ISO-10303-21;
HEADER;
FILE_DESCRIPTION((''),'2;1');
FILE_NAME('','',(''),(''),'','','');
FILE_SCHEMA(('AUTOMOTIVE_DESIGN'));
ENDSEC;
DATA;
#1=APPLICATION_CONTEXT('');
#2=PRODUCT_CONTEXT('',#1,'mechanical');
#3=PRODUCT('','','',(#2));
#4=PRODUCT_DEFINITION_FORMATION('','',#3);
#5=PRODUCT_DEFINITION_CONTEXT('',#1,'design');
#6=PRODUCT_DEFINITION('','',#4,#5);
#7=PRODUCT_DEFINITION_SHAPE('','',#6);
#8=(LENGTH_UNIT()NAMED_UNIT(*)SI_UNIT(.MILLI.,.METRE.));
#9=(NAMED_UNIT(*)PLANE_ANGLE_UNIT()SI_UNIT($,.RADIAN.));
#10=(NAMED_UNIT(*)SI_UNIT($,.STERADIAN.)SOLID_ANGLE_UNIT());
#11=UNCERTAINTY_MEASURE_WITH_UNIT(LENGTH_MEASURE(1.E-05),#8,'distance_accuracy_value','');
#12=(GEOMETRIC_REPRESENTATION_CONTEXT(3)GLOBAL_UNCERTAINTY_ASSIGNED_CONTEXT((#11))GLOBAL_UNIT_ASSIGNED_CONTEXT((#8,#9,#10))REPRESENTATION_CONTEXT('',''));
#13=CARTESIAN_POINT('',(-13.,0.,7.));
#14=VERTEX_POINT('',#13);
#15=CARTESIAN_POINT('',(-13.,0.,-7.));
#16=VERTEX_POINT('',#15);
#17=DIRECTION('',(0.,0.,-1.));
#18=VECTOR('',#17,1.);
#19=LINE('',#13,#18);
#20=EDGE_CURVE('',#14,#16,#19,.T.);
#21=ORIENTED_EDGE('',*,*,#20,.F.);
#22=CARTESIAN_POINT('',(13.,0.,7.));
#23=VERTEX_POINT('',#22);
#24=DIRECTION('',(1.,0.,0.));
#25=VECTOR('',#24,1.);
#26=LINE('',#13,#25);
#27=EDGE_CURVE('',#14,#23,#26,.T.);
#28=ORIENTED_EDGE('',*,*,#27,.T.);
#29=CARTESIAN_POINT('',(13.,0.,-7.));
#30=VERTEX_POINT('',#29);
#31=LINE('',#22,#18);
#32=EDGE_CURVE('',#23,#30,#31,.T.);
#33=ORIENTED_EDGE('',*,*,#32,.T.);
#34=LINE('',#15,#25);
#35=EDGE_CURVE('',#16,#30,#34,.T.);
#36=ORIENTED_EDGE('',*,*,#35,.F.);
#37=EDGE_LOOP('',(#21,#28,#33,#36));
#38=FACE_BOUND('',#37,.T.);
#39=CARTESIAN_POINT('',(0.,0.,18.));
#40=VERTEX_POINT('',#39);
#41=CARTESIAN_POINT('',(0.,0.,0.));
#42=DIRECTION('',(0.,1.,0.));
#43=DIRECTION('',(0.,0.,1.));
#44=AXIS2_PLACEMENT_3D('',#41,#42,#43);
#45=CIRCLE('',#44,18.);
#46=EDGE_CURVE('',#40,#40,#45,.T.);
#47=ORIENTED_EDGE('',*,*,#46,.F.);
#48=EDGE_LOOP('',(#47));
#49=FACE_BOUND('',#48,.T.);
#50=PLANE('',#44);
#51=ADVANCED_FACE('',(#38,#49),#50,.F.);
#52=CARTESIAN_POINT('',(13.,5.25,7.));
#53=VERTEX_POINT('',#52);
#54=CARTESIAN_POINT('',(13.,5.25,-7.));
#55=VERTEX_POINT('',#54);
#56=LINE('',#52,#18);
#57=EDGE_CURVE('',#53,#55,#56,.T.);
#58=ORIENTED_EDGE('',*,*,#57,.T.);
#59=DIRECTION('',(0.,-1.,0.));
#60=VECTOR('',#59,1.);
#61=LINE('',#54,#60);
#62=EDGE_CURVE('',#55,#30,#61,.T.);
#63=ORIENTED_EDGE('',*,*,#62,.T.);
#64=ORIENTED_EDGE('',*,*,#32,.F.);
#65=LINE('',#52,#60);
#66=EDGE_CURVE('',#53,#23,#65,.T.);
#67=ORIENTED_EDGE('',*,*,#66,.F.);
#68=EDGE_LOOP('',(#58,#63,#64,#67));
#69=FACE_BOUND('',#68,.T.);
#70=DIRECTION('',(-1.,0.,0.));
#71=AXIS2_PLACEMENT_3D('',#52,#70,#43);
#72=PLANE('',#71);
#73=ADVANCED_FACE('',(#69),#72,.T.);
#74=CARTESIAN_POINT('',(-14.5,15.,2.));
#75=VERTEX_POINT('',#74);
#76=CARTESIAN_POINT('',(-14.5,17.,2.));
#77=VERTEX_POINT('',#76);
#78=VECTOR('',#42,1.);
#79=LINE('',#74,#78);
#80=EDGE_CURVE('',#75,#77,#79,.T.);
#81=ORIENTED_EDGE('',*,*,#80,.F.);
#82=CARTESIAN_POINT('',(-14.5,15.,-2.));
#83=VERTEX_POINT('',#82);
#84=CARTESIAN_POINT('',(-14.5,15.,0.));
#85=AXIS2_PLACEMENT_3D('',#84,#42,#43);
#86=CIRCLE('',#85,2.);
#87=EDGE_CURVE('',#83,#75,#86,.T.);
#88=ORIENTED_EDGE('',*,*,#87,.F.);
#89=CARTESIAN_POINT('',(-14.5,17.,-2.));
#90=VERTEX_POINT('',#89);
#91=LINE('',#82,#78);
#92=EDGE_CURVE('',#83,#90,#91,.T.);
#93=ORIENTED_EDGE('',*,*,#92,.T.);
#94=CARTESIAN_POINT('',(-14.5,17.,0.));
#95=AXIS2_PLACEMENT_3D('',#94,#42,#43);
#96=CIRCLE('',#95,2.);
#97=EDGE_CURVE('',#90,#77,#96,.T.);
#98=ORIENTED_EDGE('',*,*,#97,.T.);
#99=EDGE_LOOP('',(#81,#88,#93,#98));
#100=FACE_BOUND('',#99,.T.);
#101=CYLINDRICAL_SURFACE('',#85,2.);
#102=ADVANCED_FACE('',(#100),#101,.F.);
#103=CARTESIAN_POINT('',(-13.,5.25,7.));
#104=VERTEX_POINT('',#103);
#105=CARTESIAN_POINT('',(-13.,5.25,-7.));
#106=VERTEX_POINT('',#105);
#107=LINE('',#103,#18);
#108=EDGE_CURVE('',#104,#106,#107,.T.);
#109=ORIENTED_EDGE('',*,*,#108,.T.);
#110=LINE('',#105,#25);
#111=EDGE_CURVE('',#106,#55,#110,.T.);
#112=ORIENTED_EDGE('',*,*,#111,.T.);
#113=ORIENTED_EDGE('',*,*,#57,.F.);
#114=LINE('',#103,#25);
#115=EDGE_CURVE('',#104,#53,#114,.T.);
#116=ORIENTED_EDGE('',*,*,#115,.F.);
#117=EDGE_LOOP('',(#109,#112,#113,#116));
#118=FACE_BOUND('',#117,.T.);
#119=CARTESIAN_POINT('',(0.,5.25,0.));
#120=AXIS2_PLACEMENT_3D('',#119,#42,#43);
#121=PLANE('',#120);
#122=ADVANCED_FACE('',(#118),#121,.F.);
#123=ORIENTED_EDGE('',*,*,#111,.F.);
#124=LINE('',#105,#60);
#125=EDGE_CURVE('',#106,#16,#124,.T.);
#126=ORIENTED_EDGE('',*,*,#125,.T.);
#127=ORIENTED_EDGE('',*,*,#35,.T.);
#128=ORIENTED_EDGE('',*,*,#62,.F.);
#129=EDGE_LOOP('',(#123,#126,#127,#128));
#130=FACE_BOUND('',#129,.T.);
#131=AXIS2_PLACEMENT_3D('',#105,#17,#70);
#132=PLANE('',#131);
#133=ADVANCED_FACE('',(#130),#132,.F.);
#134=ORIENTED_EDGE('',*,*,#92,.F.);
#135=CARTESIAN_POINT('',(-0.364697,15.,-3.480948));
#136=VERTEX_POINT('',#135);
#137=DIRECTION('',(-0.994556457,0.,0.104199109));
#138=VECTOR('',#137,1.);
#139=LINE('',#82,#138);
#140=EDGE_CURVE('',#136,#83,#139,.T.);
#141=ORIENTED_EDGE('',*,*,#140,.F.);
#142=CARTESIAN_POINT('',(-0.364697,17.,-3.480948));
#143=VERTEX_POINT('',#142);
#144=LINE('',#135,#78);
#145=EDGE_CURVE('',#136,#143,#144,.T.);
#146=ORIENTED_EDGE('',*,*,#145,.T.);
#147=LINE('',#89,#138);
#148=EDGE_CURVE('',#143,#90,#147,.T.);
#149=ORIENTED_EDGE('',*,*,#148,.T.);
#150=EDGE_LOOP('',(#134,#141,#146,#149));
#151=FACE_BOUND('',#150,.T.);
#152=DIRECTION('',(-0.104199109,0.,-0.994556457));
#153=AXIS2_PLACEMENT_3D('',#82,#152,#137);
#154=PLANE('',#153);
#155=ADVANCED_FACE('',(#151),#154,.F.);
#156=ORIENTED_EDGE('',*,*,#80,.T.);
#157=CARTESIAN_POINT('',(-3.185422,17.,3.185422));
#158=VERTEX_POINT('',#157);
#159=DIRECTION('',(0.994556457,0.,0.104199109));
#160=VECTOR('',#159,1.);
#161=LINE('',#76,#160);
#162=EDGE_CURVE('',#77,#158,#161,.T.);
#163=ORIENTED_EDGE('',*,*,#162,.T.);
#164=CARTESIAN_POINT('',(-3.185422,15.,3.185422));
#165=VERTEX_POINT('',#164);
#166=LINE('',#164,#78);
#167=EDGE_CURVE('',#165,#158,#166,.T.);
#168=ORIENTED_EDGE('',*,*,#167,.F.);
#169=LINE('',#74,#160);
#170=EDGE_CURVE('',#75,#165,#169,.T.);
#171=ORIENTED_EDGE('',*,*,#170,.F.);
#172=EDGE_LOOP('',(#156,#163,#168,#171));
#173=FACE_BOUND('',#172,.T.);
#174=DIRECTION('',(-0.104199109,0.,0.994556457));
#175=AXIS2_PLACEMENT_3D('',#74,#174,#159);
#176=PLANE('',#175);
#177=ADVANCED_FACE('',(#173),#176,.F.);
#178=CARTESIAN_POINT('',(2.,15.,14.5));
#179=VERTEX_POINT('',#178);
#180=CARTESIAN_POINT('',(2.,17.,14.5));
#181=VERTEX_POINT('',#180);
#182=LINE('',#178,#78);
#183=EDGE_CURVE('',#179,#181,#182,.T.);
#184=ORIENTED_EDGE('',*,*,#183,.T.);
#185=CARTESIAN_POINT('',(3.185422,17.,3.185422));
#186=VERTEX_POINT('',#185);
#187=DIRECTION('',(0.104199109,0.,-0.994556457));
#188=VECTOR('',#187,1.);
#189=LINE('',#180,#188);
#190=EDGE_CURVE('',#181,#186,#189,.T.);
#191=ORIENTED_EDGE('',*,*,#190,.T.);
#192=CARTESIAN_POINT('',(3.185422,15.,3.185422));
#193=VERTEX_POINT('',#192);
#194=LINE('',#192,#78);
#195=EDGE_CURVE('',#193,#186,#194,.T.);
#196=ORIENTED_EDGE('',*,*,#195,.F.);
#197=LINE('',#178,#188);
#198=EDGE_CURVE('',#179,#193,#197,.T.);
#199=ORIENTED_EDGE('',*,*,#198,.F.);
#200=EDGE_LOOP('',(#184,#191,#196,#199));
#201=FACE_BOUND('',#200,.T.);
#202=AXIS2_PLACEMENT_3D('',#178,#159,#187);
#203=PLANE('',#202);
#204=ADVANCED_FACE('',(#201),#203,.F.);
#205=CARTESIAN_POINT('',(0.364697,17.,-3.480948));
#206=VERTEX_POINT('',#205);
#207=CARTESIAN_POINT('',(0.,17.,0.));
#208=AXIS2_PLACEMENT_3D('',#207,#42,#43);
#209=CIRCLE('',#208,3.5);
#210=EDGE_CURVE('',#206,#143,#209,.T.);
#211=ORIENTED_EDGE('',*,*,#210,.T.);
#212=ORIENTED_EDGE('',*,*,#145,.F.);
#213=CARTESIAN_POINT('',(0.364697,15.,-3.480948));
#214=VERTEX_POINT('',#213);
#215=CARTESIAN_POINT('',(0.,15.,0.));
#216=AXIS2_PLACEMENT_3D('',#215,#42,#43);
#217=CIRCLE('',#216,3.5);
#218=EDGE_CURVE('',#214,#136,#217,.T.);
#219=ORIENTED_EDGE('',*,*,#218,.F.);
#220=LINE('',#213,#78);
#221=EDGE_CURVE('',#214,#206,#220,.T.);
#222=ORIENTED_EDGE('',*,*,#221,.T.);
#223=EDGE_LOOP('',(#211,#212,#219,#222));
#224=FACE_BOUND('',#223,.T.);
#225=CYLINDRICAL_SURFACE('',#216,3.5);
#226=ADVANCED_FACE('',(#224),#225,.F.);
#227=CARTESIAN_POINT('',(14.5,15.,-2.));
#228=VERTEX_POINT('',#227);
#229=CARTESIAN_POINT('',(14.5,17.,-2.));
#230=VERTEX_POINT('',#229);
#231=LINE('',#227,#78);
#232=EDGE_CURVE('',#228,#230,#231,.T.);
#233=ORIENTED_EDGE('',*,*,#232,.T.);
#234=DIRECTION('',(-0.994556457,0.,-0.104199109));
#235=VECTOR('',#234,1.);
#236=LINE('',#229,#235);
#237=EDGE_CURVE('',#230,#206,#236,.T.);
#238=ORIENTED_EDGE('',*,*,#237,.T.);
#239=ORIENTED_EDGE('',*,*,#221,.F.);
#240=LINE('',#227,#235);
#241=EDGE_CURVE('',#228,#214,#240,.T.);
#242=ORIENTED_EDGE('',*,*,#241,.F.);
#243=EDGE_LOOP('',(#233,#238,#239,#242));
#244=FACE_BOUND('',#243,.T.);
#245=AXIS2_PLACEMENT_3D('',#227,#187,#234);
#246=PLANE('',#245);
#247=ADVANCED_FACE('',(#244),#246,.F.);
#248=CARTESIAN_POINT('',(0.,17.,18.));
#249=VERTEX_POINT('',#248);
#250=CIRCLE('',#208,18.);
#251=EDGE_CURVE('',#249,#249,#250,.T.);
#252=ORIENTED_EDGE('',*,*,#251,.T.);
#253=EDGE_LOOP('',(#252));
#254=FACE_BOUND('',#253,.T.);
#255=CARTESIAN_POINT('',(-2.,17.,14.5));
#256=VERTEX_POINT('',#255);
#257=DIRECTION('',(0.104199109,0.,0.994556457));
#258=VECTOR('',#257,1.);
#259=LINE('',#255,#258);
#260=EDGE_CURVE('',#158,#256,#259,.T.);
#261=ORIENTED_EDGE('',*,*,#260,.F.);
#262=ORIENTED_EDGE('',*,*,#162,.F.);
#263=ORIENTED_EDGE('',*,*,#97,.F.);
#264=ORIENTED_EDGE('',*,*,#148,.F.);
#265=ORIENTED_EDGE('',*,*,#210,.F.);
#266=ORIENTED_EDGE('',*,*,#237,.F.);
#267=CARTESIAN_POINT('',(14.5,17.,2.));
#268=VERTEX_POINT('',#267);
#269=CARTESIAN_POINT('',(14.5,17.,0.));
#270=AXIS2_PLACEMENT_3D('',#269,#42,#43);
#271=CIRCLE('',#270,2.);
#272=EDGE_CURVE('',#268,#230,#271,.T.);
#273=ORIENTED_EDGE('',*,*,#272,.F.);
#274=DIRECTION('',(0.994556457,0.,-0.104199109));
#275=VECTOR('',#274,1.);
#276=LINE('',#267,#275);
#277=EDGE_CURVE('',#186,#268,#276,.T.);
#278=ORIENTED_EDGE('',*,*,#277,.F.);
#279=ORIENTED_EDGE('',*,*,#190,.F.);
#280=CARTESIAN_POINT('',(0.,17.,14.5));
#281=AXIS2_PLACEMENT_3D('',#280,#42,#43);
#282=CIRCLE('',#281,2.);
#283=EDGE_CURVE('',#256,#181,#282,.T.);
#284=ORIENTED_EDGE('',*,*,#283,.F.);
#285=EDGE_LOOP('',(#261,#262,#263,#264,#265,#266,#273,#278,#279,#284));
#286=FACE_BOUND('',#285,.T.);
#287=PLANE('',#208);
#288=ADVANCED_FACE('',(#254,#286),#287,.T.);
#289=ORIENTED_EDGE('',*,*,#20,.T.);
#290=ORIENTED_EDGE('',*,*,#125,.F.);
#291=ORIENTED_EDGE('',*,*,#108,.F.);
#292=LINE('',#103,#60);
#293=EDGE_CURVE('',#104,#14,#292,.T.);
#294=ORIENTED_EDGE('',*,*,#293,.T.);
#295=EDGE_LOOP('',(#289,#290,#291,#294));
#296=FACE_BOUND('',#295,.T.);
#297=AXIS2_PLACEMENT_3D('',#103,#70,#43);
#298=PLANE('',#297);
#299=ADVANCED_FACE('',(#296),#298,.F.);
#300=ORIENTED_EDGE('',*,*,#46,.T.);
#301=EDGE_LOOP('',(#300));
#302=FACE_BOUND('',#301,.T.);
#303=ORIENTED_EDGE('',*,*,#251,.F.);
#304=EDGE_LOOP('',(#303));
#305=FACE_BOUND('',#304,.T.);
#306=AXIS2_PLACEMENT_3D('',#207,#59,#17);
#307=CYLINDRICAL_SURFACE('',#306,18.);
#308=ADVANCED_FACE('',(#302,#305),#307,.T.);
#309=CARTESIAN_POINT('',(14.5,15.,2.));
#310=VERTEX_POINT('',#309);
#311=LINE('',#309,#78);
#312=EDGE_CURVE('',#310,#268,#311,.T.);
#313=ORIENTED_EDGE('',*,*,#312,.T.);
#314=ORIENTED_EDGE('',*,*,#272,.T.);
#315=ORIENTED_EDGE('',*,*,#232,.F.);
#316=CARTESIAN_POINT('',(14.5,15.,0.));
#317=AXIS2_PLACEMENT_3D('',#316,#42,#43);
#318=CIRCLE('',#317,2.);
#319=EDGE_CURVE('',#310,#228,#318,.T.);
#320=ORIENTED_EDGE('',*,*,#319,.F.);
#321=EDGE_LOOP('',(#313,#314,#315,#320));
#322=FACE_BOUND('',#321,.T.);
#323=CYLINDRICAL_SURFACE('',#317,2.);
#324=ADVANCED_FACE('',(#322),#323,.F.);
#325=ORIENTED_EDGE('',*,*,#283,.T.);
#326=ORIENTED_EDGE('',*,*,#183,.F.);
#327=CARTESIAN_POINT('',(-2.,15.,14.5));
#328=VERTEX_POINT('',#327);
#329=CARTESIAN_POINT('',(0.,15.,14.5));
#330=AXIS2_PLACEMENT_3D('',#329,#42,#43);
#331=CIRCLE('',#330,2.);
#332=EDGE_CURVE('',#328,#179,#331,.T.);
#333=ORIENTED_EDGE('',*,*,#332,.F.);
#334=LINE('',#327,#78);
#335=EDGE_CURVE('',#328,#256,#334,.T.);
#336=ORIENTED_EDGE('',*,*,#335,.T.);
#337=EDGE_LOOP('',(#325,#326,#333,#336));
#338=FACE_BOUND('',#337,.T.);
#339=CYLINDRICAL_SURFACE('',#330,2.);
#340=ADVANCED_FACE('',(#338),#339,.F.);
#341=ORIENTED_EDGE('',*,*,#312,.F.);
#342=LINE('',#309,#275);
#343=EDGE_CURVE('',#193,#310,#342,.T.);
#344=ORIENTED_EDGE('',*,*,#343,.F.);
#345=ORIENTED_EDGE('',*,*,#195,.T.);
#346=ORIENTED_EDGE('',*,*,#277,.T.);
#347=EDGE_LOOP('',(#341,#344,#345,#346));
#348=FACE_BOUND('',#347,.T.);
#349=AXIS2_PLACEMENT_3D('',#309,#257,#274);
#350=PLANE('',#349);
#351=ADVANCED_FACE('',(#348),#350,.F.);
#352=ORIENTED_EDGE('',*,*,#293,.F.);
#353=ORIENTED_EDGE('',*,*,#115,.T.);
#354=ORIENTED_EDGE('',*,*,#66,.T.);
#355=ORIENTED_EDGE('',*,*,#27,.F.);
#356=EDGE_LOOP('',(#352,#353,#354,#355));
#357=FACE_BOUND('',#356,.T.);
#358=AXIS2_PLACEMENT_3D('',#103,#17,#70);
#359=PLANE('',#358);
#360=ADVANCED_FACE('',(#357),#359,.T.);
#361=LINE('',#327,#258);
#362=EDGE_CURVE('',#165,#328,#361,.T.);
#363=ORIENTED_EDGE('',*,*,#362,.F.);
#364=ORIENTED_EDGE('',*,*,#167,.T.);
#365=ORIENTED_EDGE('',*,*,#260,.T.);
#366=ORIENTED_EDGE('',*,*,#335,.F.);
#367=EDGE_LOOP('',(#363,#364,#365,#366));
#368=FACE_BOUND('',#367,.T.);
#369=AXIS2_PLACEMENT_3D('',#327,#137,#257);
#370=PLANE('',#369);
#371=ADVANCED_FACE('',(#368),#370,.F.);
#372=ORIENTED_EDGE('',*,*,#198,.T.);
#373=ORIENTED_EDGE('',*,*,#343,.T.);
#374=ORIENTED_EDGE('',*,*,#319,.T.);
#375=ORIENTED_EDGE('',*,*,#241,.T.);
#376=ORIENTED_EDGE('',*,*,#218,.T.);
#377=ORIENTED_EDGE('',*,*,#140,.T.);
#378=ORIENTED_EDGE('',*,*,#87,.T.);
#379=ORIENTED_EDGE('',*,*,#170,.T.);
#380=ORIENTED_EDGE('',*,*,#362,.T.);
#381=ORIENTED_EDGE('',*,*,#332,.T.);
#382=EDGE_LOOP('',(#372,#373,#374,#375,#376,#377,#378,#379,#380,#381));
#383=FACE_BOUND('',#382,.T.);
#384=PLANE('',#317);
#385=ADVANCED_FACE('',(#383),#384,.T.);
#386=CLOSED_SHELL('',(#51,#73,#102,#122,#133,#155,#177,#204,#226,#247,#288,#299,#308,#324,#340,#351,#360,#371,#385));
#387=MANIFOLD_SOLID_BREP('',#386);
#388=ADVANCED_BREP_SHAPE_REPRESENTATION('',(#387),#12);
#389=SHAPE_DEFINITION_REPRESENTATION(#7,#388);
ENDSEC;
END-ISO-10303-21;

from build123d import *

# Parameters (mm, degrees)
SKETCH1_R           = 18
BOSS_EXTRUDE1_DEPTH = 17
SKETCH2_W           = 26
SKETCH2_H           = 14
CUT_EXTRUDE1_DEPTH  = 5.25
CUT_EXTRUDE2_DEPTH  = 2


with BuildPart() as part:
    # Sketch1 → Boss-Extrude1 (new body)
    with BuildSketch(Plane(origin=(0, 0, 0), x_dir=(1, 0, 0), z_dir=(0, 1, 0))):
        Circle(SKETCH1_R)
    extrude(amount=BOSS_EXTRUDE1_DEPTH)

    # Sketch2 → Cut-Extrude1 (cut)
    with BuildSketch(Plane.XZ):
        Rectangle(SKETCH2_W, SKETCH2_H)
    extrude(amount=-CUT_EXTRUDE1_DEPTH, mode=Mode.SUBTRACT)

    # Sketch3 → Cut-Extrude2 (cut)
    with BuildSketch(Plane(origin=(0, 17, 0), x_dir=(1, 0, 0), z_dir=(0, 1, 0))):
        with BuildLine():
            Line((14.5, 2), (0.364696883, 3.480947599))
            ThreePointArc((0.364696883, 3.480947599), (0, 3.5), (-0.364696883, 3.480947599))
            Line((-0.364696883, 3.480947599), (-14.5, 2))
            ThreePointArc((-14.5, 2), (-16.5, 0), (-14.5, -2))
            Line((-14.5, -2), (-3.185421861, -3.185421861))
            Line((-3.185421861, -3.185421861), (-2, -14.5))
            ThreePointArc((-2, -14.5), (0, -16.5), (2, -14.5))
            Line((2, -14.5), (3.185421861, -3.185421861))
            Line((3.185421861, -3.185421861), (14.5, -2))
            ThreePointArc((14.5, -2), (16.5, 0), (14.5, 2))
        make_face()
    extrude(amount=-CUT_EXTRUDE2_DEPTH, mode=Mode.SUBTRACT)


solid = part.part
